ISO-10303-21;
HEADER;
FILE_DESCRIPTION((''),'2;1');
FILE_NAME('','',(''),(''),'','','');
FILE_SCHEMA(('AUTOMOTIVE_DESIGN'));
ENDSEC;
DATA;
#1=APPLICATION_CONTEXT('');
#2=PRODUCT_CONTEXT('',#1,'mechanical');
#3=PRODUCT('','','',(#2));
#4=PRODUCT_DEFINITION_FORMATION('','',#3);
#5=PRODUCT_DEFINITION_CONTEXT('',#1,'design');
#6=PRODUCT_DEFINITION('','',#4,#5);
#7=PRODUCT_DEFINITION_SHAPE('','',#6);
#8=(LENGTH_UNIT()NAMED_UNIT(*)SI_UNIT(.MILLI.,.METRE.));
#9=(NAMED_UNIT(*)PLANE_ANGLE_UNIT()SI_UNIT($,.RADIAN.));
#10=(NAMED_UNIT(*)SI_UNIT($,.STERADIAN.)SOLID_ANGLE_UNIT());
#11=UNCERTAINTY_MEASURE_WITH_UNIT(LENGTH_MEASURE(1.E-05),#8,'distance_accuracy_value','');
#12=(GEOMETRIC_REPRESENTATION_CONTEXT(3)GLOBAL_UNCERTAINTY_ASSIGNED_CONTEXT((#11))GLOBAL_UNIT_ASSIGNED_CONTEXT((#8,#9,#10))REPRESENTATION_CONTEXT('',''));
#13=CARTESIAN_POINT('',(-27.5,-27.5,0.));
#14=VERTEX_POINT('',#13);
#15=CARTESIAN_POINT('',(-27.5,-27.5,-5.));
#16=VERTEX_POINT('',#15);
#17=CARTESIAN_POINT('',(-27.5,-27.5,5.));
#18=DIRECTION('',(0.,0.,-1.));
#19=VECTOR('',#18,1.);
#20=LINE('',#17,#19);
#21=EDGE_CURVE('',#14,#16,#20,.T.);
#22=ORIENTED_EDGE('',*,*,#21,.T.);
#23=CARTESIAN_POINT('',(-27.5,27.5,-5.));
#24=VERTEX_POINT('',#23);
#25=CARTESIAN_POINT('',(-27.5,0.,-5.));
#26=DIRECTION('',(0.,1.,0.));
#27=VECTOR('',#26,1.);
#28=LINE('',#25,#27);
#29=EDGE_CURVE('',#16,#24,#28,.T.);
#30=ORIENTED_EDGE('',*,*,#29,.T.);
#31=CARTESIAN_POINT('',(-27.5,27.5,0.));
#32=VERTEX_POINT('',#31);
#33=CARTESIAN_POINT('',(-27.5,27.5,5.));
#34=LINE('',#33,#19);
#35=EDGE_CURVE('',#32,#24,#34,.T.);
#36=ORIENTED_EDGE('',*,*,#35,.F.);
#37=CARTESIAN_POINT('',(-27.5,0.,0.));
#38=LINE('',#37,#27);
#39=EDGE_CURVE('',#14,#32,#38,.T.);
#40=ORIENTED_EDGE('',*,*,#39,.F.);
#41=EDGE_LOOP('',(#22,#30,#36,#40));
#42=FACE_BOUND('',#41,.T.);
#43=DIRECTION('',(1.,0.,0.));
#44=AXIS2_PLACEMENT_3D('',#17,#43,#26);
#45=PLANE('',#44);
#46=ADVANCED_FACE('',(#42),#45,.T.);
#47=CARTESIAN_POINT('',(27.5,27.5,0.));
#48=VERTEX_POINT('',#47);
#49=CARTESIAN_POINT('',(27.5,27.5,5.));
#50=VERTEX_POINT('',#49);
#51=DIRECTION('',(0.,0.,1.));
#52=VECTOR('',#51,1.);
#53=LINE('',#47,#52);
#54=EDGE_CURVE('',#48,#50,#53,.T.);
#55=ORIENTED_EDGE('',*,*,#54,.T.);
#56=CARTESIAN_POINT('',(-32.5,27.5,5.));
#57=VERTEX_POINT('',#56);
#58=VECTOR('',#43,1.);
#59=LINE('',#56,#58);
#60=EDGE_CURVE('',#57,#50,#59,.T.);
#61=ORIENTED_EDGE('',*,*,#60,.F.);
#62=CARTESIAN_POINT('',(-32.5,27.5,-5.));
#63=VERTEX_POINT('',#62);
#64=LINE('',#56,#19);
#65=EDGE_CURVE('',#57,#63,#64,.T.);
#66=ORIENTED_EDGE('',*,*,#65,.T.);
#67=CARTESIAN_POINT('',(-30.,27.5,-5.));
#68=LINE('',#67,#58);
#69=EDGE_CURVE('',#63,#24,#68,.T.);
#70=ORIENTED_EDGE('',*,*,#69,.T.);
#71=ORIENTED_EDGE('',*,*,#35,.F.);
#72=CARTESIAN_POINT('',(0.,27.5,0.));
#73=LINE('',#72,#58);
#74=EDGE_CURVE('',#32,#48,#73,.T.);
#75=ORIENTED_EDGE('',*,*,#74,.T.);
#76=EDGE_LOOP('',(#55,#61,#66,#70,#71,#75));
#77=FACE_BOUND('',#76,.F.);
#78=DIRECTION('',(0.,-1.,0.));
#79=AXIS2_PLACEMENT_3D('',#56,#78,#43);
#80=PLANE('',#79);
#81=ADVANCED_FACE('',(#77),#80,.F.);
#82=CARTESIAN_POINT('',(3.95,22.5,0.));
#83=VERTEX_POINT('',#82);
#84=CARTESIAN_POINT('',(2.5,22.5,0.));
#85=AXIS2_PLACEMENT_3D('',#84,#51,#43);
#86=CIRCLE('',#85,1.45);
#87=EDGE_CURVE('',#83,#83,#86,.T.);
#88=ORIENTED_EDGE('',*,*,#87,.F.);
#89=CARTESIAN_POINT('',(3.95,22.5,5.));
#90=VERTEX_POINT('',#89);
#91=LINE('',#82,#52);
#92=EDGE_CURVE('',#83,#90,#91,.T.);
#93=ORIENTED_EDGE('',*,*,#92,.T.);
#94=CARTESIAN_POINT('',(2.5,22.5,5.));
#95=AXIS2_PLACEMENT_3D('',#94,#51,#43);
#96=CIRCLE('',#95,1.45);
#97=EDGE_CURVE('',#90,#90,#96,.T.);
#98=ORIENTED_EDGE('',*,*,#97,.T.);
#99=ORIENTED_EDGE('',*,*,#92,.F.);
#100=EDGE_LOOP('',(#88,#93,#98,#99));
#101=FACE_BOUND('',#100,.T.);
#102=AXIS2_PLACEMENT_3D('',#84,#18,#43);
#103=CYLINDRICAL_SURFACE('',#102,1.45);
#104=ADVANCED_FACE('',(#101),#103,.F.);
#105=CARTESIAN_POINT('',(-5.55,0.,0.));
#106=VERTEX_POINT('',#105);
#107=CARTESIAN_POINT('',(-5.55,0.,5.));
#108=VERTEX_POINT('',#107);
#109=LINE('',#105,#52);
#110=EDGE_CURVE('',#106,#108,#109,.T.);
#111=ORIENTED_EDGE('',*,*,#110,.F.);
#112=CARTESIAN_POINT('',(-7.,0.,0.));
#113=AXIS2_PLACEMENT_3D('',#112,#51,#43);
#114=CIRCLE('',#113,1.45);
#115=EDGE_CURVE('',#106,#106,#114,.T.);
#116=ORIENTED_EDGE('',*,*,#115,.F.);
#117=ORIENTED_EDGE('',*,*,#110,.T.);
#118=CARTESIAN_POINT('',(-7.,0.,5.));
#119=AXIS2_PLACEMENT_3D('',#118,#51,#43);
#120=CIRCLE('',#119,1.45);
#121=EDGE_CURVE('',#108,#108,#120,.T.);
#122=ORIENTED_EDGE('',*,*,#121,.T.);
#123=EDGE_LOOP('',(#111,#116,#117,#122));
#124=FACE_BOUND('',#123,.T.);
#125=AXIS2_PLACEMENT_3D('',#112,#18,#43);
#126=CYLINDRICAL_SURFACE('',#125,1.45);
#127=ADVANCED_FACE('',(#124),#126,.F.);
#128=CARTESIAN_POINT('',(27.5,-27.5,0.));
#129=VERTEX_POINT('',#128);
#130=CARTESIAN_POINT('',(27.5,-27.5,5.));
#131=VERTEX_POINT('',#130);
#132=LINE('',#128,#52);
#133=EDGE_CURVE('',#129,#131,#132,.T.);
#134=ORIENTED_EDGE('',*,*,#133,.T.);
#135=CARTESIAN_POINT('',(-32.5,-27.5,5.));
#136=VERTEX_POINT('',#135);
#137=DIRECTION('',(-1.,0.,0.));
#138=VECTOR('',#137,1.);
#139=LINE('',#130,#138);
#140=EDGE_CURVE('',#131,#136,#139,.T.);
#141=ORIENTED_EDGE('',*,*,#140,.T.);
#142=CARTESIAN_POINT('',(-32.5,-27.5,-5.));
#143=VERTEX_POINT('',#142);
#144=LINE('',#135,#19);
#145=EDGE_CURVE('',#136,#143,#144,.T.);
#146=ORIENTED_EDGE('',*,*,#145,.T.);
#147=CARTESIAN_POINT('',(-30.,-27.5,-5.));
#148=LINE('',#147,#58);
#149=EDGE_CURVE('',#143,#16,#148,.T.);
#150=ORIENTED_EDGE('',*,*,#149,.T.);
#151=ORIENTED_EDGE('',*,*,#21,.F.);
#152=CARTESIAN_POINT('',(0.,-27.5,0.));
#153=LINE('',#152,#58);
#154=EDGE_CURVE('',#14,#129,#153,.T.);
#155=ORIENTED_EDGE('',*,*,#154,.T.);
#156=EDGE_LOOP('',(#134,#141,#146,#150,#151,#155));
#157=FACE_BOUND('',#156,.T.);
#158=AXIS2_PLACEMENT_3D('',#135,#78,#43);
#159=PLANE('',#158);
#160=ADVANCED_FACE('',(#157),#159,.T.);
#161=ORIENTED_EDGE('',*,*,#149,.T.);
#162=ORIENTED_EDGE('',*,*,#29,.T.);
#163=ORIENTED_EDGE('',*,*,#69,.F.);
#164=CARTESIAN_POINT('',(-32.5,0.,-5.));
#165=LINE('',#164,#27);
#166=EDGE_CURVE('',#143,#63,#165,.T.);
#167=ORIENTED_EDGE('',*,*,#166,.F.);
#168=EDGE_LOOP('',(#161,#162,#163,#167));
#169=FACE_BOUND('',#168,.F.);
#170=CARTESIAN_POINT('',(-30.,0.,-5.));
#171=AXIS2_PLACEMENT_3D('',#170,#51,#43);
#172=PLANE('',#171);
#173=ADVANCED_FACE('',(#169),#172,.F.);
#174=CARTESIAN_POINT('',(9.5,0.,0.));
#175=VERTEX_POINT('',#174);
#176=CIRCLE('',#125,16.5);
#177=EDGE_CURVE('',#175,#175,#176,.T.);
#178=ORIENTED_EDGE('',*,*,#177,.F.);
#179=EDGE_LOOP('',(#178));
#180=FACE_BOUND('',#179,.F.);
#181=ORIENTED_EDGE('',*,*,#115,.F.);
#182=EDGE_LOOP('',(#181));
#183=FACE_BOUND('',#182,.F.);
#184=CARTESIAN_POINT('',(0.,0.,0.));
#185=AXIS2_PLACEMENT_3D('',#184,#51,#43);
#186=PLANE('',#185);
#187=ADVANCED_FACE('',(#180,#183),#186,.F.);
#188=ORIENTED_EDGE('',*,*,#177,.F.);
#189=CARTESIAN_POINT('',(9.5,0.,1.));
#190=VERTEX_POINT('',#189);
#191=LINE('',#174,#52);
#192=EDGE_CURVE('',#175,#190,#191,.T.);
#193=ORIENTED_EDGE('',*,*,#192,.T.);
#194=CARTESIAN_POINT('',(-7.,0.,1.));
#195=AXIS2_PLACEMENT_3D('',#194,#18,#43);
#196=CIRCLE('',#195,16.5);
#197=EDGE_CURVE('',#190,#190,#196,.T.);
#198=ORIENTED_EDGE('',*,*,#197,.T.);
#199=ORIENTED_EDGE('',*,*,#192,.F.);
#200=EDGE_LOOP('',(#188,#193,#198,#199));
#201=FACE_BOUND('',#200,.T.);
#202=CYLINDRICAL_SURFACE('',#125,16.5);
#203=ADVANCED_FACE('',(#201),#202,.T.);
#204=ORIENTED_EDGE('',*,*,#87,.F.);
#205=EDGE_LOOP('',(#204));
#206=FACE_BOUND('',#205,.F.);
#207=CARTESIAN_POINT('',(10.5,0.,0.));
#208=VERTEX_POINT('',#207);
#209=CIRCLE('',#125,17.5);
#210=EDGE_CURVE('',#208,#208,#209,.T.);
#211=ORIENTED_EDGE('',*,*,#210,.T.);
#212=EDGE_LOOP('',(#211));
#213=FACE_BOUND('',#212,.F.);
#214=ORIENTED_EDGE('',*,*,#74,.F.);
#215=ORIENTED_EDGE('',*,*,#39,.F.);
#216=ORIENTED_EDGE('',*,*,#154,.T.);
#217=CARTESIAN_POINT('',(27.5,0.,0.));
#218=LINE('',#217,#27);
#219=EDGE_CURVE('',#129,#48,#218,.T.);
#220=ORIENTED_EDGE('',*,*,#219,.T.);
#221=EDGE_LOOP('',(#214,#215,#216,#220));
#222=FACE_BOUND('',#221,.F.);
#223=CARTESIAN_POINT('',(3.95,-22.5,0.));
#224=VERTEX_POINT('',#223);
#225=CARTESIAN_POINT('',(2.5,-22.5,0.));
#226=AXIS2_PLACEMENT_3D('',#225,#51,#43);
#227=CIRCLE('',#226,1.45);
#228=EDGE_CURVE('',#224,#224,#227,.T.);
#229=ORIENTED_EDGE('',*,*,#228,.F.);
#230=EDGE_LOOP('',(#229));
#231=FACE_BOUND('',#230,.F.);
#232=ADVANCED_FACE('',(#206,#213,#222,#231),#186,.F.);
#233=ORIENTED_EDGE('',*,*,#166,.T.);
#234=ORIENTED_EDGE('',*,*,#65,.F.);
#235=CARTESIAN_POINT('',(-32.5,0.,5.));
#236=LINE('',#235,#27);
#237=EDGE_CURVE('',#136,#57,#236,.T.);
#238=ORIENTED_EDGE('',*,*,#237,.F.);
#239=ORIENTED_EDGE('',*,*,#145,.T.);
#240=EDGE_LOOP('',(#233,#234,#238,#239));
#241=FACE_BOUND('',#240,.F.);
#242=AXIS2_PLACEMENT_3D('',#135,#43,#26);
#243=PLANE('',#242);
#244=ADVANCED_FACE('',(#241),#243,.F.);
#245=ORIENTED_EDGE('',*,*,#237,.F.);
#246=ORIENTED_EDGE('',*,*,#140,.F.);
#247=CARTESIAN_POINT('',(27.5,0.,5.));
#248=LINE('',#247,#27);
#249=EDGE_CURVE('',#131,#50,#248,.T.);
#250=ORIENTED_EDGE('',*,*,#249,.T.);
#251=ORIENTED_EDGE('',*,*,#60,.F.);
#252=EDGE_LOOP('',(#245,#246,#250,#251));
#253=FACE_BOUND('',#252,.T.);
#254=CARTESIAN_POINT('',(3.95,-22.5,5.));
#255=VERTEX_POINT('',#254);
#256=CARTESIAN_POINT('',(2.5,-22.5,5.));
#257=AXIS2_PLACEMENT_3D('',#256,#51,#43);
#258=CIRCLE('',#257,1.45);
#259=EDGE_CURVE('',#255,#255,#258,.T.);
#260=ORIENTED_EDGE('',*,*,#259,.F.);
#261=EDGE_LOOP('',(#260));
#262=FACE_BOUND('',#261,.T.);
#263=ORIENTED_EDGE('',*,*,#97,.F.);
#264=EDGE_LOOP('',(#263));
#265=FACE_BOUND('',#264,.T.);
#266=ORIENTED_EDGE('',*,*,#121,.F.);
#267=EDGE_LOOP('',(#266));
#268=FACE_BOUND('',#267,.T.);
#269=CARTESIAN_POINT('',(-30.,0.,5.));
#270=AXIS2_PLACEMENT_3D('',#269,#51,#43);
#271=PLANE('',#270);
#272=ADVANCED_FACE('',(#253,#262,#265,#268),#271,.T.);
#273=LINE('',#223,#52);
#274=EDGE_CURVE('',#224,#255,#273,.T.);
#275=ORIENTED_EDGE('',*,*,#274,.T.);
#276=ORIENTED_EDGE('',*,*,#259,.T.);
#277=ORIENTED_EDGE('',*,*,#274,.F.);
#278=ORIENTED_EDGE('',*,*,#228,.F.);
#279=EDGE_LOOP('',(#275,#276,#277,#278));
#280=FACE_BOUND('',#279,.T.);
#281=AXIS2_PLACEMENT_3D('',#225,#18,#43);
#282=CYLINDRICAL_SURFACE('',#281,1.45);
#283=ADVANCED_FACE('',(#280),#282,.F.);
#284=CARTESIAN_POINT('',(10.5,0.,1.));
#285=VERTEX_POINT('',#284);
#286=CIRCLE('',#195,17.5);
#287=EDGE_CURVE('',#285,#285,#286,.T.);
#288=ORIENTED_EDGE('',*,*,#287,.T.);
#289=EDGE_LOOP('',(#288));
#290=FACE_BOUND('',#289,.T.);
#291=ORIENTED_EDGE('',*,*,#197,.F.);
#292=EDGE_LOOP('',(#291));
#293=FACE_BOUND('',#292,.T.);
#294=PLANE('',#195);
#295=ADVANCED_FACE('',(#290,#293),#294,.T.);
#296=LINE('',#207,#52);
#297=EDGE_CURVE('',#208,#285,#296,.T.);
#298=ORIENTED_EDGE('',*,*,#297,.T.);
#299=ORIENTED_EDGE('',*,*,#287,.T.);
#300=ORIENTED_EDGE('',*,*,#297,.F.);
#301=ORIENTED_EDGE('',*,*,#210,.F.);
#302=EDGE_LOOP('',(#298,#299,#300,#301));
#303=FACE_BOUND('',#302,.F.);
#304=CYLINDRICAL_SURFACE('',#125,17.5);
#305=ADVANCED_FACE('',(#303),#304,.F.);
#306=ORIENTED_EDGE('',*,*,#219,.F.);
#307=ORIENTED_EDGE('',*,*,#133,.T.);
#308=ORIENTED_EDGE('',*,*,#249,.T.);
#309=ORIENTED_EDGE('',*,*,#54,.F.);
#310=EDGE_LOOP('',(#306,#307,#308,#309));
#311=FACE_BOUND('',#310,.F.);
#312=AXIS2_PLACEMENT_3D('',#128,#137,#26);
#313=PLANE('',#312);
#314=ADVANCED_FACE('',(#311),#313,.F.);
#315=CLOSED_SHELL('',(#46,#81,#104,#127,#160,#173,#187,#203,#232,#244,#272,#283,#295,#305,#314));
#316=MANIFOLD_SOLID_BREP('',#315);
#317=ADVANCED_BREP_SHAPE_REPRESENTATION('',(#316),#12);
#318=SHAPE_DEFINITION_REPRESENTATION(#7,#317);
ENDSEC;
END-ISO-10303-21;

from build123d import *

# Parameters (mm, degrees)
F0_W     = 55
F0_H     = 55
F0_R     = 1.45
F0_R_2   = 17.5
F1_DEPTH = 5
F2_R     = 17.5
F2_R_2   = 16.5
F3_DEPTH = 1
F4_W     = 5
F4_H     = 55
F5_DEPTH = 10


with BuildPart() as f1:
    # F0 (on Top) → F1 (new body)
    with BuildSketch(Plane.XY):
        Rectangle(F0_W, F0_H)
        with Locations((2.5, -22.5)):
            Circle(F0_R, mode=Mode.SUBTRACT)
        with Locations((-7, 0)):
            Circle(F0_R_2, mode=Mode.SUBTRACT)
        with Locations((2.5, 22.5)):
            Circle(F0_R, mode=Mode.SUBTRACT)
        with Locations((-7, 0)):
            Circle(F0_R_2)
        with Locations((-7, 0)):
            Circle(F0_R, mode=Mode.SUBTRACT)
    extrude(amount=F1_DEPTH)

    # F2 (on face) → F3 (cut)
    with BuildSketch(Plane(origin=(0, 0, 0), x_dir=(1, 0, 0), z_dir=(0, 0, -1))):
        with Locations((-7, 0)):
            Circle(F2_R)
        with Locations((-7, 0)):
            Circle(F2_R_2, mode=Mode.SUBTRACT)
    extrude(amount=-F3_DEPTH, mode=Mode.SUBTRACT)

    # F4 (on face) → F5 (join)
    with BuildSketch(Plane.XY.offset(5)):
        with Locations((-30, 0)):
            Rectangle(F4_W, F4_H)
    extrude(amount=-F5_DEPTH)


solid = f1.part
